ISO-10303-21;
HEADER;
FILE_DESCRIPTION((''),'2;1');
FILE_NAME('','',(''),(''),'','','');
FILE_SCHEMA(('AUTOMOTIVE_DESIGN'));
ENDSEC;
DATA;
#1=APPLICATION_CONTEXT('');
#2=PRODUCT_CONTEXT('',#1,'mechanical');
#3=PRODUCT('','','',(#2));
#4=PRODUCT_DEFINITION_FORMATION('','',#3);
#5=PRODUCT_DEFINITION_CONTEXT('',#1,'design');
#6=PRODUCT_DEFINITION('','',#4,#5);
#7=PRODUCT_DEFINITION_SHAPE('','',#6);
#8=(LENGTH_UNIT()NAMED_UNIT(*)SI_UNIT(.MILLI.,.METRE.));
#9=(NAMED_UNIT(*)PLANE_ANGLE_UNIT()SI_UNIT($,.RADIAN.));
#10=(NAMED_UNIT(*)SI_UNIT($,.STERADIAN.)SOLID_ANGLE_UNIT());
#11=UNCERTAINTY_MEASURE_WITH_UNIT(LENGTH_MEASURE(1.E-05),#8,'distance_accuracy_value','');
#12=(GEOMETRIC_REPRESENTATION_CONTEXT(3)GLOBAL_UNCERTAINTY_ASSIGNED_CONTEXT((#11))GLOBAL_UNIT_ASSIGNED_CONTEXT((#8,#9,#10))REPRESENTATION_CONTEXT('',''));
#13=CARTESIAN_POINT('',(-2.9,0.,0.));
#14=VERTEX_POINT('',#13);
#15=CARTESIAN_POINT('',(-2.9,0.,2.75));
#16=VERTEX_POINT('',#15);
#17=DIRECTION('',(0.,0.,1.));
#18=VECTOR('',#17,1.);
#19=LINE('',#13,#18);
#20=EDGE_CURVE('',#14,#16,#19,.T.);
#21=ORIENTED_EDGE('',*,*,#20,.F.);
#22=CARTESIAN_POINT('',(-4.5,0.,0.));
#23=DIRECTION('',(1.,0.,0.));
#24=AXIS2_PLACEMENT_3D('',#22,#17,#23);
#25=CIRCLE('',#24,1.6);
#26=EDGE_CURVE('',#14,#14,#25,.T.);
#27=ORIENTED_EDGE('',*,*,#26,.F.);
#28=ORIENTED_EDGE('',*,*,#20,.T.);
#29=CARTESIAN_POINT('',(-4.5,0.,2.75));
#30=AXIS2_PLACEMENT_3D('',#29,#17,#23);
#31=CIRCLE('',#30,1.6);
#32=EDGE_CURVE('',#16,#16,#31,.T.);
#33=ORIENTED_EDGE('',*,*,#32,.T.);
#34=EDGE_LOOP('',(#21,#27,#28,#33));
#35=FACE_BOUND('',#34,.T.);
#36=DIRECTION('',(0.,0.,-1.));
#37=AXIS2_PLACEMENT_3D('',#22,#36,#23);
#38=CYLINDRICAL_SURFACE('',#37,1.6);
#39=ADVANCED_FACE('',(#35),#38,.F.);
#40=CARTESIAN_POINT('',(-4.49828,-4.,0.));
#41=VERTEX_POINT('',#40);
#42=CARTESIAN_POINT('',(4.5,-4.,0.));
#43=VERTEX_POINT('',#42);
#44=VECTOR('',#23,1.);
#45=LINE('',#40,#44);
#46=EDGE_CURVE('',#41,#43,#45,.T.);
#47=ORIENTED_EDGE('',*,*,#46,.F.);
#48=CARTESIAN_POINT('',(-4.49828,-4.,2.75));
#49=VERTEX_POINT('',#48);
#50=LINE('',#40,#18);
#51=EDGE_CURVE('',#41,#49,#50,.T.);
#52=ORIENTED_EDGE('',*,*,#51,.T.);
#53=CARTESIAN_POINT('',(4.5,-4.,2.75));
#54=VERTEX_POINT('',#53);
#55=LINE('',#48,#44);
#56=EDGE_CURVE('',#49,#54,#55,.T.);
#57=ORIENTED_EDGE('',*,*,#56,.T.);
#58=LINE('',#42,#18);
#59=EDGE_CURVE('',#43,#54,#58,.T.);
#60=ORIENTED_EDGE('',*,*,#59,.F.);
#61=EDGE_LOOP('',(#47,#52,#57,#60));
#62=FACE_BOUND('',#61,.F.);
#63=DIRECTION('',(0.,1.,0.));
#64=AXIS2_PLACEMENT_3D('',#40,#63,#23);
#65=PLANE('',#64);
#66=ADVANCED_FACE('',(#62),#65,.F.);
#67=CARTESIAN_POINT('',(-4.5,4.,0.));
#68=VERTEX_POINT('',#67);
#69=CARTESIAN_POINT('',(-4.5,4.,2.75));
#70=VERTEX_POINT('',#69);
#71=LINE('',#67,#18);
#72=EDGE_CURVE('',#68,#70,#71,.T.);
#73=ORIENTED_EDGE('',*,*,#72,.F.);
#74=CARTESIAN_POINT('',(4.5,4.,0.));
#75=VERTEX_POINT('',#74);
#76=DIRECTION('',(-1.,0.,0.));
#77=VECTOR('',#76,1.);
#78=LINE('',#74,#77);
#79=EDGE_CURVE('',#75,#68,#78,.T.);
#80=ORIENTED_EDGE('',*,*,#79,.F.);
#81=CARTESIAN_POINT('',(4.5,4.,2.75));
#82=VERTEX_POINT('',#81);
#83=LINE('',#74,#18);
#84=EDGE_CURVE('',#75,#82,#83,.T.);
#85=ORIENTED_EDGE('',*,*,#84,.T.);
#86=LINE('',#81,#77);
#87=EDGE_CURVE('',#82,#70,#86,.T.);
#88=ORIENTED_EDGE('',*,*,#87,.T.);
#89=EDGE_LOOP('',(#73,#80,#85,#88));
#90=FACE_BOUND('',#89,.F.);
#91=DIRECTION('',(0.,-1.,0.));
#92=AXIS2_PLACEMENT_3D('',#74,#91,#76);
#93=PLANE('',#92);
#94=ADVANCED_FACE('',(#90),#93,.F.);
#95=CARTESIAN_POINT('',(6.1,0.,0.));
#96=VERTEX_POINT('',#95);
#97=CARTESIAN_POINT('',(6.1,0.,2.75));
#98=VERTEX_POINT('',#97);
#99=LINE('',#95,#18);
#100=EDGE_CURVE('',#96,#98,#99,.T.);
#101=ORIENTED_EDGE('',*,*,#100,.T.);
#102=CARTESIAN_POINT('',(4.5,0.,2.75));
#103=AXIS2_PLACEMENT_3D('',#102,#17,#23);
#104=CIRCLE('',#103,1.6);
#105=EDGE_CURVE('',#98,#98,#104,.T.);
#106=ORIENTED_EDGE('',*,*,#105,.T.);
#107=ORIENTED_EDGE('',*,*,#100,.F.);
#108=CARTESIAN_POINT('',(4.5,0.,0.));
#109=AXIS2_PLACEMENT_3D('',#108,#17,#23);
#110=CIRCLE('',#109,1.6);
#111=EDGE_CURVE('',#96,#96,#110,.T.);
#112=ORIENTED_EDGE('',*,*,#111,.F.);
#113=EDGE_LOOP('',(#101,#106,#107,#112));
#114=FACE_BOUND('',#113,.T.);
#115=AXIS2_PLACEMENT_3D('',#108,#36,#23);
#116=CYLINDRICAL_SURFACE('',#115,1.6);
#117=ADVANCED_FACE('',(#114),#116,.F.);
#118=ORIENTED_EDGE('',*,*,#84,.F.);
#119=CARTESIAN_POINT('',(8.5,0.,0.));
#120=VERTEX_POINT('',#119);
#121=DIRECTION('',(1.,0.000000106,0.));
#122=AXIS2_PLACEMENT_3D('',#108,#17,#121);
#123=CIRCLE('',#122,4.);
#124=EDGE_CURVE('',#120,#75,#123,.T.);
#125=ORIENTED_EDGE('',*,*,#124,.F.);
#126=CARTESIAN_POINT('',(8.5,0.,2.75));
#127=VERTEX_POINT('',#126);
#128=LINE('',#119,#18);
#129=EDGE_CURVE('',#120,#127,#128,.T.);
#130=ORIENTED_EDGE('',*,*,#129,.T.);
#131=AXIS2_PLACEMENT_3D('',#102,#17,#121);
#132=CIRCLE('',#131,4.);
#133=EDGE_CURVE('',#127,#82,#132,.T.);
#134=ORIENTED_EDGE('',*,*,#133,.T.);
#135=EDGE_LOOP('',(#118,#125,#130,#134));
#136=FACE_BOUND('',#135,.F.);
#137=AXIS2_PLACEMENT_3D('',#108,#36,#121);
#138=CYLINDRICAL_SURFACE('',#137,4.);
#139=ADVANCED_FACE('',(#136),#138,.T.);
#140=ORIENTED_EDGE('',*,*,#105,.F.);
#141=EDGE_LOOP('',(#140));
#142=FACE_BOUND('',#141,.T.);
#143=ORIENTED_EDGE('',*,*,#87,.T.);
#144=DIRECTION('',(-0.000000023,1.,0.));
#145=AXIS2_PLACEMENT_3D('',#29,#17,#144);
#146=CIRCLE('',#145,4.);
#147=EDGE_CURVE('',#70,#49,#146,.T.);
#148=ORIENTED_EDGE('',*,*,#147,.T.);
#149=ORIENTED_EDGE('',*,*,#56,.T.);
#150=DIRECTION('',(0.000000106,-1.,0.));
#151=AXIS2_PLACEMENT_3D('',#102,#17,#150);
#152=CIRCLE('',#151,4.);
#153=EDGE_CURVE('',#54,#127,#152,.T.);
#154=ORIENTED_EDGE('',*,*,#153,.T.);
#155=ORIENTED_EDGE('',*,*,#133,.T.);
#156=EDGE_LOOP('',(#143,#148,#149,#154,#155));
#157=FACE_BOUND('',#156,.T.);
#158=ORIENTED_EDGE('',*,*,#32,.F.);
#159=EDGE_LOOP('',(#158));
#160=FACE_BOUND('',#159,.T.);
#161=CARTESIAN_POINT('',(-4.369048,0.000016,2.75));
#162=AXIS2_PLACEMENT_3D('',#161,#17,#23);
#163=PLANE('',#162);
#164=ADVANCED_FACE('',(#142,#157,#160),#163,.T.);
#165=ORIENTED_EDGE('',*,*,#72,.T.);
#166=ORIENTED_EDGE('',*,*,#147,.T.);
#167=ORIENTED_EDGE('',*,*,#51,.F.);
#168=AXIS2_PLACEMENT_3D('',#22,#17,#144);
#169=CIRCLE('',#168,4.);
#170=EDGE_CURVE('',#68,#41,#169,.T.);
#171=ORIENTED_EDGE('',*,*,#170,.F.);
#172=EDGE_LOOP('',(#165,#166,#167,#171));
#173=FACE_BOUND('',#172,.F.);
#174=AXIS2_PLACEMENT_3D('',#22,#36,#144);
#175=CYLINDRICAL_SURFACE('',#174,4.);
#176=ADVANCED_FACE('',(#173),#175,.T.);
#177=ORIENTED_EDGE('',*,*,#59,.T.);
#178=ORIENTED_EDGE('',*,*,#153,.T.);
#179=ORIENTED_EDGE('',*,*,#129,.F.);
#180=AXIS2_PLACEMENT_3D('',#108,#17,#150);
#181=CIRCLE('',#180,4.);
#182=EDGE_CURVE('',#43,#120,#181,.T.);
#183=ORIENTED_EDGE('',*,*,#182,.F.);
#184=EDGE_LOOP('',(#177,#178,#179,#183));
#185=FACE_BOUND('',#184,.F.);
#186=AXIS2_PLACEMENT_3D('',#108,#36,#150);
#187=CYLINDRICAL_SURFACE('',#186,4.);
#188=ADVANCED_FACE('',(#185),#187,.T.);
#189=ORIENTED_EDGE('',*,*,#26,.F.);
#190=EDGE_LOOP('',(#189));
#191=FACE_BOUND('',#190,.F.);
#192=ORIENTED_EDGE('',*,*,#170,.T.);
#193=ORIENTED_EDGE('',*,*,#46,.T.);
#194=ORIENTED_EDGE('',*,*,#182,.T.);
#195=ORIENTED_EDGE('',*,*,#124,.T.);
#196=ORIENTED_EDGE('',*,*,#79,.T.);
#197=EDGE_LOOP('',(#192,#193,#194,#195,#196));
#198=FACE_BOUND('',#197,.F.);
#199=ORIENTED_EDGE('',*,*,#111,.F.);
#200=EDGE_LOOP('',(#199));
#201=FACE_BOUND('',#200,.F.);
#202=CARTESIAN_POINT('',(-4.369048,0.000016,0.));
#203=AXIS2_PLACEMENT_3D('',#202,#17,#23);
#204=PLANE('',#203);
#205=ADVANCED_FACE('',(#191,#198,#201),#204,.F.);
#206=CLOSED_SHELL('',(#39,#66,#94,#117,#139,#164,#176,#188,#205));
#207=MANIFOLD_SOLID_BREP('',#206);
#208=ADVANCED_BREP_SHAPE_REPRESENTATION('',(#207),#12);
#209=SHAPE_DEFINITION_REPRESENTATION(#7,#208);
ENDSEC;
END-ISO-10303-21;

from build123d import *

# Parameters (mm, degrees)
F0_R     = 1.6
F1_DEPTH = 2.75


with BuildPart() as f1:
    # F0 (on Top) → F1 (new body)
    with BuildSketch(Plane.XY):
        with BuildLine():
            ThreePointArc((-0.5, 0), (-1.671573, 2.828427), (-4.5, 4))
            ThreePointArc((-4.5, 4), (-8.5, -0.00086), (-4.49828, -4))
            ThreePointArc((-4.49828, -4), (-1.670965, -2.827819), (-0.5, 0))
        make_face()
        with Locations((-4.5, 0)):
            Circle(F0_R, mode=Mode.SUBTRACT)
        with BuildLine():
            ThreePointArc((4.5, -4), (0.5, 0), (4.5, 4))
            Line((4.5, 4), (-4.5, 4))
            ThreePointArc((-4.5, 4), (-1.671573, 2.828427), (-0.5, 0))
            ThreePointArc((-0.5, 0), (-1.670965, -2.827819), (-4.49828, -4))
            Line((-4.49828, -4), (4.5, -4))
        make_face()
        with BuildLine():
            ThreePointArc((4.5, -4), (7.328427, -2.828427), (8.5, 0))
            ThreePointArc((8.5, 0), (7.328427, 2.828427), (4.5, 4))
            ThreePointArc((4.5, 4), (0.5, 0), (4.5, -4))
        make_face()
        with Locations((4.5, 0)):
            Circle(F0_R, mode=Mode.SUBTRACT)
    extrude(amount=F1_DEPTH)


solid = f1.part
